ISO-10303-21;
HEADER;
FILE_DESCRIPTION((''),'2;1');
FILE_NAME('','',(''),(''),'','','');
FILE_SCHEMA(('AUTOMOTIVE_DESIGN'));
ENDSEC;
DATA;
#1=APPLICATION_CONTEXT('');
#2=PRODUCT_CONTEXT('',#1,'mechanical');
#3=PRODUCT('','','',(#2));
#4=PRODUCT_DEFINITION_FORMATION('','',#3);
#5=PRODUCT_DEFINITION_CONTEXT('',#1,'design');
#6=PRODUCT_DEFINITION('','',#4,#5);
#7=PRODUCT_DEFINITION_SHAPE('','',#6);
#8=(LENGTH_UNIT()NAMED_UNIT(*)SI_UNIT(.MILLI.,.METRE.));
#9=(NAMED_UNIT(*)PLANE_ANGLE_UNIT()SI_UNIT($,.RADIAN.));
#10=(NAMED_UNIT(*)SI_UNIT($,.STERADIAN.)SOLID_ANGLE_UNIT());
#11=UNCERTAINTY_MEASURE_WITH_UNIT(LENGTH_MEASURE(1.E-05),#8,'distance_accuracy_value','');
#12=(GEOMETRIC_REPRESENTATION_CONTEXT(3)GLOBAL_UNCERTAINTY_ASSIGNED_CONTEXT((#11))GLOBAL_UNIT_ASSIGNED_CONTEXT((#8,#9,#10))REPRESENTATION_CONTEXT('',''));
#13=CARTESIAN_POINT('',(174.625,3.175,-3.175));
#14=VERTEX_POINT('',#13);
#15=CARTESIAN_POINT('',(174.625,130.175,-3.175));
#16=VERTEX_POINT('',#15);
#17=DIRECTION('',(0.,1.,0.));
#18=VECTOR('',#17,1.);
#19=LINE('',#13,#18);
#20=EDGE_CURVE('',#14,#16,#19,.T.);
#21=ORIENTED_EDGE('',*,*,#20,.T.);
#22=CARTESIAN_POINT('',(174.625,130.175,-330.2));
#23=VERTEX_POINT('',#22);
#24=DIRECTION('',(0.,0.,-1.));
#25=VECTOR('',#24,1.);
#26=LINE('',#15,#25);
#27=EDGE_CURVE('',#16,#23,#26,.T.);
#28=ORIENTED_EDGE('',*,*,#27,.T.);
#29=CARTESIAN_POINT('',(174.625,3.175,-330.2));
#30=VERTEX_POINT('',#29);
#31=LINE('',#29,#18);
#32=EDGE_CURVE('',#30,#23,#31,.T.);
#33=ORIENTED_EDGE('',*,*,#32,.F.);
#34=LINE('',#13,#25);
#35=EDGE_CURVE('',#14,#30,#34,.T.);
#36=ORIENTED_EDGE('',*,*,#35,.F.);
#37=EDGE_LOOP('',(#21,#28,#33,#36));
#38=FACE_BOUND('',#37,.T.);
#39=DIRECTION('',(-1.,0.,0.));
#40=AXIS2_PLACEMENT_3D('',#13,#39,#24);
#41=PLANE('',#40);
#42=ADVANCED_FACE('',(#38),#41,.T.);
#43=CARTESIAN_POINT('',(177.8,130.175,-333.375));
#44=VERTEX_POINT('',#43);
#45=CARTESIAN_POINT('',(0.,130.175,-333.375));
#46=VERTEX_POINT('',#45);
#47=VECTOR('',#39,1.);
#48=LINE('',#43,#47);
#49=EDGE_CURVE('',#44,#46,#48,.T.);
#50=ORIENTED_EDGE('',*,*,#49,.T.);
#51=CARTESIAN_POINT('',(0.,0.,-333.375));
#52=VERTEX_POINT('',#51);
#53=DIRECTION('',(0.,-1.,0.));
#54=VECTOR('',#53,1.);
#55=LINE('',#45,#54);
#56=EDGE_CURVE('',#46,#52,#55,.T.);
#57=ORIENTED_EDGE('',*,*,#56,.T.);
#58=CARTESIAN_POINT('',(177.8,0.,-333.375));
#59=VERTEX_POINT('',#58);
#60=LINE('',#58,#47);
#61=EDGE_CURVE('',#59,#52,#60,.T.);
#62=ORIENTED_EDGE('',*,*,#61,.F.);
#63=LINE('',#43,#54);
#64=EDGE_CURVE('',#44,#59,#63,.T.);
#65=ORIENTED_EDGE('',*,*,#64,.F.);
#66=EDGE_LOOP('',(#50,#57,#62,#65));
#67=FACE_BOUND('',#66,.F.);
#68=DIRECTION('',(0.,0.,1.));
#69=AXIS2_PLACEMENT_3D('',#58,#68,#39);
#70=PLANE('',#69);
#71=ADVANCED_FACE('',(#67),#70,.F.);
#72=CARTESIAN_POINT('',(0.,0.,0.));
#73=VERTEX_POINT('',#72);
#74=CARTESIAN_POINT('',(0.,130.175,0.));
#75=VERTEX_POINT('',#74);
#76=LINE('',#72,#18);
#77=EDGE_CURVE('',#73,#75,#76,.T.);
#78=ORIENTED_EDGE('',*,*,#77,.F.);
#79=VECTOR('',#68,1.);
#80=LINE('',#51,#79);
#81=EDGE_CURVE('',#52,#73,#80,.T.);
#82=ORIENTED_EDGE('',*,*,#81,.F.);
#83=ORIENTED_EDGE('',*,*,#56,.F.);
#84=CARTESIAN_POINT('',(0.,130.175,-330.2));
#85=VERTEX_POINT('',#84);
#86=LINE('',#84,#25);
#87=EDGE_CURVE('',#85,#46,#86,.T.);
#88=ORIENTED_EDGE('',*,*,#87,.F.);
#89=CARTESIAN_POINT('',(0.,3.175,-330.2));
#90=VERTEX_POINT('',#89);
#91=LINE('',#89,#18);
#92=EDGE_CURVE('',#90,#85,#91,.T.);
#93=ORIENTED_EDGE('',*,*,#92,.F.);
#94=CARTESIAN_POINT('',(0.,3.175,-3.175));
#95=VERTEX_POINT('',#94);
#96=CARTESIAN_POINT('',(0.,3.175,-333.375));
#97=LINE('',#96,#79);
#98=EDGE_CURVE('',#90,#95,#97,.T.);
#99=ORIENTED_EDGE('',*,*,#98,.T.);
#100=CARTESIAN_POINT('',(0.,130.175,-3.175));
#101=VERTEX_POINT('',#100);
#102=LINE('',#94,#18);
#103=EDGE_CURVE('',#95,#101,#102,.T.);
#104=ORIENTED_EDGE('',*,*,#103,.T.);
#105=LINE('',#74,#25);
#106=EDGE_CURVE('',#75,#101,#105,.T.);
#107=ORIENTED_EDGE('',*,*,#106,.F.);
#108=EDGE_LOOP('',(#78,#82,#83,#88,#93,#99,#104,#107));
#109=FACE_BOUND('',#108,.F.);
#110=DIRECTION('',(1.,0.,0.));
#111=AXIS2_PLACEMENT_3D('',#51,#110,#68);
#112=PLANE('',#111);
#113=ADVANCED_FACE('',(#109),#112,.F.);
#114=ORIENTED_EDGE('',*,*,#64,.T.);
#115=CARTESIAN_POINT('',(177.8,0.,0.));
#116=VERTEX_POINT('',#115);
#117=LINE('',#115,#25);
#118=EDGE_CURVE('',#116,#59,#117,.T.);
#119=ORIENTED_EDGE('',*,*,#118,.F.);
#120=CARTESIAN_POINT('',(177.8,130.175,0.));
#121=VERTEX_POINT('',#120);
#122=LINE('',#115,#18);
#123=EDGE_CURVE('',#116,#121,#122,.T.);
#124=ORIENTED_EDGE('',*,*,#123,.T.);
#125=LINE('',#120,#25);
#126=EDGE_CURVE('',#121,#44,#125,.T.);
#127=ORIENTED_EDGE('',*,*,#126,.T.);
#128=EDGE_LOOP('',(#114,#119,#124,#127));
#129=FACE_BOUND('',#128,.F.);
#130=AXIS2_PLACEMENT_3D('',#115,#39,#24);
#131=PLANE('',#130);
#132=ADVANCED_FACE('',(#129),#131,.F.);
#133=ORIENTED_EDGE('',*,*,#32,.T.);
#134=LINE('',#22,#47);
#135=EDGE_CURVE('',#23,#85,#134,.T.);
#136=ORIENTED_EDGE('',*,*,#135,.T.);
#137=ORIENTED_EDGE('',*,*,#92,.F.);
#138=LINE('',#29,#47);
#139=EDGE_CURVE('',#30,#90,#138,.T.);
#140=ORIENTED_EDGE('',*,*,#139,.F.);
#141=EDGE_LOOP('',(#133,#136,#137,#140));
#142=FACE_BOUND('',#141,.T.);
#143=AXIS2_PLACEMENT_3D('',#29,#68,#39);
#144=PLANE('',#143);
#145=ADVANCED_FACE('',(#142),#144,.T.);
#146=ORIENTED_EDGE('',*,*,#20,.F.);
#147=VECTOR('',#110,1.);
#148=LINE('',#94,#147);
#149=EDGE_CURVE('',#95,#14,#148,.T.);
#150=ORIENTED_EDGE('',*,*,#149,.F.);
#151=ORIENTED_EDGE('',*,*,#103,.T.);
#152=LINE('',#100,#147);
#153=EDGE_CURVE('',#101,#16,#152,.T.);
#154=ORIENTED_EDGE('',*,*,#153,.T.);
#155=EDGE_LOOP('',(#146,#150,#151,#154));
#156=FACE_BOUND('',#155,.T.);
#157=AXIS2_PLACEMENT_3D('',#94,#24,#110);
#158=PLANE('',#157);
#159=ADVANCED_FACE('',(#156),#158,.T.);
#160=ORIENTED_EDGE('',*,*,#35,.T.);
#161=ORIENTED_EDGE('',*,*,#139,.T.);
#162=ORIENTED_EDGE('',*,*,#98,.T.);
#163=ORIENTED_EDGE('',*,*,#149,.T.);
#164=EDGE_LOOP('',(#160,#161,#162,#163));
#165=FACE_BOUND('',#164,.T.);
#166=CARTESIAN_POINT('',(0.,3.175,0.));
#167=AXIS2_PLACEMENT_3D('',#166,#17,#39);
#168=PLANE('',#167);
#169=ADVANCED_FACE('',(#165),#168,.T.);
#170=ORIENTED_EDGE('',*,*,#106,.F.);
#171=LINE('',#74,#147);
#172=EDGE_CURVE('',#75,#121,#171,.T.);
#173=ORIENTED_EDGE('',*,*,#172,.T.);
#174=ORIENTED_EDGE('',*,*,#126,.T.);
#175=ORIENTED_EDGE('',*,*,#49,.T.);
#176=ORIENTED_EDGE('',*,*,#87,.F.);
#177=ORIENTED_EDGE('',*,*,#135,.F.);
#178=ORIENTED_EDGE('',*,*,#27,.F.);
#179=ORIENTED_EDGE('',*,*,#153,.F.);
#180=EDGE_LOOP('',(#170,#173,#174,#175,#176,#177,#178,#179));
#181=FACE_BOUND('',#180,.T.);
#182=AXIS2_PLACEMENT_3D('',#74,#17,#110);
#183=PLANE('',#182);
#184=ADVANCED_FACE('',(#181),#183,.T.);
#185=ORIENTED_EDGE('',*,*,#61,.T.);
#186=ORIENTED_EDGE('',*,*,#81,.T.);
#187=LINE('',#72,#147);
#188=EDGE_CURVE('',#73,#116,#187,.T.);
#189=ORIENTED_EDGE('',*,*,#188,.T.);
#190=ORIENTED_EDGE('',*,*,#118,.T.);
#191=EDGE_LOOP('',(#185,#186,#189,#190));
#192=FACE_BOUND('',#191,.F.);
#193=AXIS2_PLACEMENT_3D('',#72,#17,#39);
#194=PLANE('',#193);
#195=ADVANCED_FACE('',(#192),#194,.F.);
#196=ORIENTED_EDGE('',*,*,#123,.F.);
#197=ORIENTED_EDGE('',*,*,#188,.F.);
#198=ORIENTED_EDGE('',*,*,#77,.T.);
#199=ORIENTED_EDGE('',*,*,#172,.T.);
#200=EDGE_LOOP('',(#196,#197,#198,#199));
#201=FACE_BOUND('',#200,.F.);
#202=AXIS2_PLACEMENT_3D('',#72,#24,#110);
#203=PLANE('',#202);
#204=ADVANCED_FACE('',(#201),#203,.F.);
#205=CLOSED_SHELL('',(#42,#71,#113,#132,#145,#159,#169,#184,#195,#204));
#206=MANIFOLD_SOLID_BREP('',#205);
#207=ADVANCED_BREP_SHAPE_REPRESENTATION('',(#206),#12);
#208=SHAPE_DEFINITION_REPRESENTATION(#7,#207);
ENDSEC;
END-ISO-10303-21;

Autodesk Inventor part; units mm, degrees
ref_plane "YZ Plane" through (0, 0, 0) normal (1, 0, 0) x (0, 1, 0)
ref_plane "XZ Plane" through (0, 0, 0) normal (0, 1, 0) x (-1, 0, 0)
ref_plane "XY Plane" through (0, 0, 0) normal (0, 0, 1) x (1, 0, 0)
sketch "Sketch1" plane through (0, 0, 0) normal (0, 1, 0) x (-1, 0, 0)
  line L0 (0, 0) -> (-177.8, 0)
  line L1 (-177.8, 0) -> (-177.8, -333.375)
  line L2 (-177.8, -333.375) -> (0, -333.375)
  line L3 (0, -333.375) -> (0, 0)
  dimension "d0" = 177.8
  dimension "d1" = 333.375
extrude "Extrusion1" add sketch "Sketch1" along normal blind 3.175
sketch "Sketch2" plane through (0, 3.175, 0) normal (0, 1, 0) x (1, 0, 0)
  line L0 (0, 333.375) -> (0, 0) construction
  line L1 (0, 3.175) -> (174.625, 3.175)
  line L2 (174.625, 3.175) -> (174.625, 330.2)
  line L3 (174.625, 330.2) -> (0, 330.2)
  line L4 (177.8, 333.375) -> (0, 333.375) projected
  line L5 (177.8, 0) -> (177.8, 333.375) projected
  line L6 (0, 0) -> (177.8, 0) projected
  line L7 (0, 0) -> (0, 3.175)
  line L8 (0, 330.2) -> (0, 333.375)
  dimension "d4" = 3.175
  dimension "d5" = 3.175
  dimension "d6" = 3.175
extrude "Extrusion2" add sketch "Sketch2" along normal blind 127
